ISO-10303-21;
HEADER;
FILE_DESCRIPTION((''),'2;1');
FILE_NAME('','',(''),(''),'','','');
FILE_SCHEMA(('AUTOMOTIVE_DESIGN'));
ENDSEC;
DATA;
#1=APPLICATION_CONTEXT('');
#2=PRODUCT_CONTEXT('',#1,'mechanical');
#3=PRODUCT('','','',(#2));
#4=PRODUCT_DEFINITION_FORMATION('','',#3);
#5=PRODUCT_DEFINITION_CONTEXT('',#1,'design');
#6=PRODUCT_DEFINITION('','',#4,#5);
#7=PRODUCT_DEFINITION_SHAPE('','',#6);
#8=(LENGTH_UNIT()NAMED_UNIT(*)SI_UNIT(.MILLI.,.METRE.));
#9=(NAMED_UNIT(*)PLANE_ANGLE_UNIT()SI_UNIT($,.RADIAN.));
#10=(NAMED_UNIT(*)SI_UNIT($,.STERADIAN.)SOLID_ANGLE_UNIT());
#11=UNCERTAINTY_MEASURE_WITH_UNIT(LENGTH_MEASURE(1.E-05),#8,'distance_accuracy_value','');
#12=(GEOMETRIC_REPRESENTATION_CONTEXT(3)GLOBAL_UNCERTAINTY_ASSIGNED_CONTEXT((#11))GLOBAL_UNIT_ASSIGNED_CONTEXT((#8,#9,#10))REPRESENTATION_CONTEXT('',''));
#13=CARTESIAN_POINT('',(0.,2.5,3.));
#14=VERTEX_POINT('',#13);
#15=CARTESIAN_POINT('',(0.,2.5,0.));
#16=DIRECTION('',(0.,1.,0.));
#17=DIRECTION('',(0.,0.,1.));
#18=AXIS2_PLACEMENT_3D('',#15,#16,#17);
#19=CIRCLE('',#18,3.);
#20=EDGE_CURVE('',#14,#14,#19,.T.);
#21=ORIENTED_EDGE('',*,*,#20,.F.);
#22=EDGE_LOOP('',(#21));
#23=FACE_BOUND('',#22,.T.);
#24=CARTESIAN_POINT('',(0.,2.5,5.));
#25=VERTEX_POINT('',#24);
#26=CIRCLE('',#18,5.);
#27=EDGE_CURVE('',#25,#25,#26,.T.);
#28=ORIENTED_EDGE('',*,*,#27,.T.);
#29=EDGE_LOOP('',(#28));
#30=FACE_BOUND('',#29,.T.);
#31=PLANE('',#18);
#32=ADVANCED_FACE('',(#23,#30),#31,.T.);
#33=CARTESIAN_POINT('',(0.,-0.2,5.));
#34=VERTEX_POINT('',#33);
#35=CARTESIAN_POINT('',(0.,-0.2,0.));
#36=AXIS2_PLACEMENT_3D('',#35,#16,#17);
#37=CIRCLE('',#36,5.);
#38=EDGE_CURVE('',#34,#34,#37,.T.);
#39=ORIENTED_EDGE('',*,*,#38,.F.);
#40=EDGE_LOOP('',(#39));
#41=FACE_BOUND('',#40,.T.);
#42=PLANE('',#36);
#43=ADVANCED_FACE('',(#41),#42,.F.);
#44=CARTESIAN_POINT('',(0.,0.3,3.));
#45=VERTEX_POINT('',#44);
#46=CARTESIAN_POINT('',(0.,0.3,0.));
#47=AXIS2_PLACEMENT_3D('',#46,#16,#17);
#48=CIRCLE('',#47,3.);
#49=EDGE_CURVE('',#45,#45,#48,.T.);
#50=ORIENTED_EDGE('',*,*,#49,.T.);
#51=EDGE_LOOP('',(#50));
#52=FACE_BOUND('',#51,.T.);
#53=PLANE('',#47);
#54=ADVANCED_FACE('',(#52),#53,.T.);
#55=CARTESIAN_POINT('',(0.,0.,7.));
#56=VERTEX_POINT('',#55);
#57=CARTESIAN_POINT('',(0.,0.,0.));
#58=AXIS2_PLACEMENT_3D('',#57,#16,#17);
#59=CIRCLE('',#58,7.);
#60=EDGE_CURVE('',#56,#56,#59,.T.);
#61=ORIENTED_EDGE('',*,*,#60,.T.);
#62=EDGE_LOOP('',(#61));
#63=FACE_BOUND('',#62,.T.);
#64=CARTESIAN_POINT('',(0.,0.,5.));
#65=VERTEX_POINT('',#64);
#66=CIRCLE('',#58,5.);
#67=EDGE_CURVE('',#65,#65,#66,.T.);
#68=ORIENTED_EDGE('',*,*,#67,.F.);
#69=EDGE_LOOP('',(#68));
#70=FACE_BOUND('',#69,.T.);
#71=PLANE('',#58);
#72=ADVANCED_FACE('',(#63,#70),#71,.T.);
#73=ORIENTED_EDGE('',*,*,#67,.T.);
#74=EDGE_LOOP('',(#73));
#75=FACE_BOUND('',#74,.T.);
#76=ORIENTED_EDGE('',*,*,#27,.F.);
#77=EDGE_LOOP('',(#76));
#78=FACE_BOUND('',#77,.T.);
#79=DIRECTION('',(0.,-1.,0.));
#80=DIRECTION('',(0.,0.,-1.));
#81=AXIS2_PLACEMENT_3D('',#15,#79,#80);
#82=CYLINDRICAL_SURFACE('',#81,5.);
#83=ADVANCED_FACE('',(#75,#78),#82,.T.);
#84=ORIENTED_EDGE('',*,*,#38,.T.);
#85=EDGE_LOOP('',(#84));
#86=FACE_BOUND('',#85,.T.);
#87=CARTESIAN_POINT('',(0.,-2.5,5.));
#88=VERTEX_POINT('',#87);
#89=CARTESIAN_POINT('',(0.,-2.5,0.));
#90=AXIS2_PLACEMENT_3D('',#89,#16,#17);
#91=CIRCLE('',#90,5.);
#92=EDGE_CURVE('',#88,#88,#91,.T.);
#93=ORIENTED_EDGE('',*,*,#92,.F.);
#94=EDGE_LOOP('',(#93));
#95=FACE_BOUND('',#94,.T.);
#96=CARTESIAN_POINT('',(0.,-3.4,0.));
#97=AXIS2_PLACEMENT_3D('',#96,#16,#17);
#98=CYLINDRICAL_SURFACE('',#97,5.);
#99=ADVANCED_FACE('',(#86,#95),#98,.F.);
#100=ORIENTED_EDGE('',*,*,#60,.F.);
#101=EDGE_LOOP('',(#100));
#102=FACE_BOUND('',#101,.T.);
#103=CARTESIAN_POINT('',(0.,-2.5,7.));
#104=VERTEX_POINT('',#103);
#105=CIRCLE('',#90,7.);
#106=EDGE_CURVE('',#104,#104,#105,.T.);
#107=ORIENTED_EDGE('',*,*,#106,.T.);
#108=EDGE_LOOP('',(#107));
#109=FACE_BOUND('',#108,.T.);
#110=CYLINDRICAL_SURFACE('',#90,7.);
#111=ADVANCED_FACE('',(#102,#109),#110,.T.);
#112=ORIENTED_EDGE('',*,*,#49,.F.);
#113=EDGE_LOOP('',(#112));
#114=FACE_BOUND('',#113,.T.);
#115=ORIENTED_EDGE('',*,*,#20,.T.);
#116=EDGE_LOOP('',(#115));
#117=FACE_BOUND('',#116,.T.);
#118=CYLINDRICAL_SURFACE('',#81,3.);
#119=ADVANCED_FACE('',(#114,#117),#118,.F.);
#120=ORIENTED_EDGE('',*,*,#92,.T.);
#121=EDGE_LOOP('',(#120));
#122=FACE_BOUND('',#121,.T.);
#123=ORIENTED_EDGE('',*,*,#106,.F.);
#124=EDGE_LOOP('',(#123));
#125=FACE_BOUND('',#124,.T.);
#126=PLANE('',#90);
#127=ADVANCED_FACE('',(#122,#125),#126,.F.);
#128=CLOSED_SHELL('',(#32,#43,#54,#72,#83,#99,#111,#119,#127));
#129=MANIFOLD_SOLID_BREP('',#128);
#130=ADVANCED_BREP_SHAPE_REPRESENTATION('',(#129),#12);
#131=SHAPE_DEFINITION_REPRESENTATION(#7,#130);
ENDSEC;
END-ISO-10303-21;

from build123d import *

# Parameters (mm, degrees)
MAGNET_OUTER_DIM_R  = 5
BOSS_EXTRUDE7_DEPTH = 2.5
CUT_EXTRUDE1_START  = 0.3
MAGNET_DIM_R        = 3
CUT_EXTRUDE1_DEPTH  = 2.2
MOTOTR_OUTER_DIM_R  = 7
BOSS_EXTRUDE8_DEPTH = 2.5
CUT_EXTRUDE4_START  = -3.4
MOTOR_DIM_R         = 5
CUT_EXTRUDE4_DEPTH  = 3.2


with BuildPart() as part:
    # magnet_outer_dim → Boss-Extrude7 (new body)
    with BuildSketch(Plane(origin=(0, 0, 0), x_dir=(1, 0, 0), z_dir=(0, 1, 0))):
        with Locations(Location((0, 0, 0), (0, 0, 270))):
            Circle(MAGNET_OUTER_DIM_R)
    extrude(amount=BOSS_EXTRUDE7_DEPTH)

    # magnet_dim → Cut-Extrude1 (cut)
    with BuildSketch(Plane(origin=(0, 0, 0), x_dir=(1, 0, 0), z_dir=(0, 1, 0)).offset(CUT_EXTRUDE1_START)):
        with Locations(Location((0, 0, 0), (0, 0, 270))):
            Circle(MAGNET_DIM_R)
    extrude(amount=CUT_EXTRUDE1_DEPTH, mode=Mode.SUBTRACT)

    # mototr_outer_dim → Boss-Extrude8 (add)
    with BuildSketch(Plane(origin=(0, 0, 0), x_dir=(1, 0, 0), z_dir=(0, 1, 0))):
        with Locations(Location((0, 0, 0), (0, 0, 270))):
            Circle(MOTOTR_OUTER_DIM_R)
    extrude(amount=-BOSS_EXTRUDE8_DEPTH)

    # motor_dim → Cut-Extrude4 (cut)
    with BuildSketch(Plane(origin=(0, 0, 0), x_dir=(1, 0, 0), z_dir=(0, 1, 0)).offset(CUT_EXTRUDE4_START)):
        with Locations(Location((0, 0, 0), (0, 0, 270))):
            Circle(MOTOR_DIM_R)
    extrude(amount=CUT_EXTRUDE4_DEPTH, mode=Mode.SUBTRACT)


solid = part.part
